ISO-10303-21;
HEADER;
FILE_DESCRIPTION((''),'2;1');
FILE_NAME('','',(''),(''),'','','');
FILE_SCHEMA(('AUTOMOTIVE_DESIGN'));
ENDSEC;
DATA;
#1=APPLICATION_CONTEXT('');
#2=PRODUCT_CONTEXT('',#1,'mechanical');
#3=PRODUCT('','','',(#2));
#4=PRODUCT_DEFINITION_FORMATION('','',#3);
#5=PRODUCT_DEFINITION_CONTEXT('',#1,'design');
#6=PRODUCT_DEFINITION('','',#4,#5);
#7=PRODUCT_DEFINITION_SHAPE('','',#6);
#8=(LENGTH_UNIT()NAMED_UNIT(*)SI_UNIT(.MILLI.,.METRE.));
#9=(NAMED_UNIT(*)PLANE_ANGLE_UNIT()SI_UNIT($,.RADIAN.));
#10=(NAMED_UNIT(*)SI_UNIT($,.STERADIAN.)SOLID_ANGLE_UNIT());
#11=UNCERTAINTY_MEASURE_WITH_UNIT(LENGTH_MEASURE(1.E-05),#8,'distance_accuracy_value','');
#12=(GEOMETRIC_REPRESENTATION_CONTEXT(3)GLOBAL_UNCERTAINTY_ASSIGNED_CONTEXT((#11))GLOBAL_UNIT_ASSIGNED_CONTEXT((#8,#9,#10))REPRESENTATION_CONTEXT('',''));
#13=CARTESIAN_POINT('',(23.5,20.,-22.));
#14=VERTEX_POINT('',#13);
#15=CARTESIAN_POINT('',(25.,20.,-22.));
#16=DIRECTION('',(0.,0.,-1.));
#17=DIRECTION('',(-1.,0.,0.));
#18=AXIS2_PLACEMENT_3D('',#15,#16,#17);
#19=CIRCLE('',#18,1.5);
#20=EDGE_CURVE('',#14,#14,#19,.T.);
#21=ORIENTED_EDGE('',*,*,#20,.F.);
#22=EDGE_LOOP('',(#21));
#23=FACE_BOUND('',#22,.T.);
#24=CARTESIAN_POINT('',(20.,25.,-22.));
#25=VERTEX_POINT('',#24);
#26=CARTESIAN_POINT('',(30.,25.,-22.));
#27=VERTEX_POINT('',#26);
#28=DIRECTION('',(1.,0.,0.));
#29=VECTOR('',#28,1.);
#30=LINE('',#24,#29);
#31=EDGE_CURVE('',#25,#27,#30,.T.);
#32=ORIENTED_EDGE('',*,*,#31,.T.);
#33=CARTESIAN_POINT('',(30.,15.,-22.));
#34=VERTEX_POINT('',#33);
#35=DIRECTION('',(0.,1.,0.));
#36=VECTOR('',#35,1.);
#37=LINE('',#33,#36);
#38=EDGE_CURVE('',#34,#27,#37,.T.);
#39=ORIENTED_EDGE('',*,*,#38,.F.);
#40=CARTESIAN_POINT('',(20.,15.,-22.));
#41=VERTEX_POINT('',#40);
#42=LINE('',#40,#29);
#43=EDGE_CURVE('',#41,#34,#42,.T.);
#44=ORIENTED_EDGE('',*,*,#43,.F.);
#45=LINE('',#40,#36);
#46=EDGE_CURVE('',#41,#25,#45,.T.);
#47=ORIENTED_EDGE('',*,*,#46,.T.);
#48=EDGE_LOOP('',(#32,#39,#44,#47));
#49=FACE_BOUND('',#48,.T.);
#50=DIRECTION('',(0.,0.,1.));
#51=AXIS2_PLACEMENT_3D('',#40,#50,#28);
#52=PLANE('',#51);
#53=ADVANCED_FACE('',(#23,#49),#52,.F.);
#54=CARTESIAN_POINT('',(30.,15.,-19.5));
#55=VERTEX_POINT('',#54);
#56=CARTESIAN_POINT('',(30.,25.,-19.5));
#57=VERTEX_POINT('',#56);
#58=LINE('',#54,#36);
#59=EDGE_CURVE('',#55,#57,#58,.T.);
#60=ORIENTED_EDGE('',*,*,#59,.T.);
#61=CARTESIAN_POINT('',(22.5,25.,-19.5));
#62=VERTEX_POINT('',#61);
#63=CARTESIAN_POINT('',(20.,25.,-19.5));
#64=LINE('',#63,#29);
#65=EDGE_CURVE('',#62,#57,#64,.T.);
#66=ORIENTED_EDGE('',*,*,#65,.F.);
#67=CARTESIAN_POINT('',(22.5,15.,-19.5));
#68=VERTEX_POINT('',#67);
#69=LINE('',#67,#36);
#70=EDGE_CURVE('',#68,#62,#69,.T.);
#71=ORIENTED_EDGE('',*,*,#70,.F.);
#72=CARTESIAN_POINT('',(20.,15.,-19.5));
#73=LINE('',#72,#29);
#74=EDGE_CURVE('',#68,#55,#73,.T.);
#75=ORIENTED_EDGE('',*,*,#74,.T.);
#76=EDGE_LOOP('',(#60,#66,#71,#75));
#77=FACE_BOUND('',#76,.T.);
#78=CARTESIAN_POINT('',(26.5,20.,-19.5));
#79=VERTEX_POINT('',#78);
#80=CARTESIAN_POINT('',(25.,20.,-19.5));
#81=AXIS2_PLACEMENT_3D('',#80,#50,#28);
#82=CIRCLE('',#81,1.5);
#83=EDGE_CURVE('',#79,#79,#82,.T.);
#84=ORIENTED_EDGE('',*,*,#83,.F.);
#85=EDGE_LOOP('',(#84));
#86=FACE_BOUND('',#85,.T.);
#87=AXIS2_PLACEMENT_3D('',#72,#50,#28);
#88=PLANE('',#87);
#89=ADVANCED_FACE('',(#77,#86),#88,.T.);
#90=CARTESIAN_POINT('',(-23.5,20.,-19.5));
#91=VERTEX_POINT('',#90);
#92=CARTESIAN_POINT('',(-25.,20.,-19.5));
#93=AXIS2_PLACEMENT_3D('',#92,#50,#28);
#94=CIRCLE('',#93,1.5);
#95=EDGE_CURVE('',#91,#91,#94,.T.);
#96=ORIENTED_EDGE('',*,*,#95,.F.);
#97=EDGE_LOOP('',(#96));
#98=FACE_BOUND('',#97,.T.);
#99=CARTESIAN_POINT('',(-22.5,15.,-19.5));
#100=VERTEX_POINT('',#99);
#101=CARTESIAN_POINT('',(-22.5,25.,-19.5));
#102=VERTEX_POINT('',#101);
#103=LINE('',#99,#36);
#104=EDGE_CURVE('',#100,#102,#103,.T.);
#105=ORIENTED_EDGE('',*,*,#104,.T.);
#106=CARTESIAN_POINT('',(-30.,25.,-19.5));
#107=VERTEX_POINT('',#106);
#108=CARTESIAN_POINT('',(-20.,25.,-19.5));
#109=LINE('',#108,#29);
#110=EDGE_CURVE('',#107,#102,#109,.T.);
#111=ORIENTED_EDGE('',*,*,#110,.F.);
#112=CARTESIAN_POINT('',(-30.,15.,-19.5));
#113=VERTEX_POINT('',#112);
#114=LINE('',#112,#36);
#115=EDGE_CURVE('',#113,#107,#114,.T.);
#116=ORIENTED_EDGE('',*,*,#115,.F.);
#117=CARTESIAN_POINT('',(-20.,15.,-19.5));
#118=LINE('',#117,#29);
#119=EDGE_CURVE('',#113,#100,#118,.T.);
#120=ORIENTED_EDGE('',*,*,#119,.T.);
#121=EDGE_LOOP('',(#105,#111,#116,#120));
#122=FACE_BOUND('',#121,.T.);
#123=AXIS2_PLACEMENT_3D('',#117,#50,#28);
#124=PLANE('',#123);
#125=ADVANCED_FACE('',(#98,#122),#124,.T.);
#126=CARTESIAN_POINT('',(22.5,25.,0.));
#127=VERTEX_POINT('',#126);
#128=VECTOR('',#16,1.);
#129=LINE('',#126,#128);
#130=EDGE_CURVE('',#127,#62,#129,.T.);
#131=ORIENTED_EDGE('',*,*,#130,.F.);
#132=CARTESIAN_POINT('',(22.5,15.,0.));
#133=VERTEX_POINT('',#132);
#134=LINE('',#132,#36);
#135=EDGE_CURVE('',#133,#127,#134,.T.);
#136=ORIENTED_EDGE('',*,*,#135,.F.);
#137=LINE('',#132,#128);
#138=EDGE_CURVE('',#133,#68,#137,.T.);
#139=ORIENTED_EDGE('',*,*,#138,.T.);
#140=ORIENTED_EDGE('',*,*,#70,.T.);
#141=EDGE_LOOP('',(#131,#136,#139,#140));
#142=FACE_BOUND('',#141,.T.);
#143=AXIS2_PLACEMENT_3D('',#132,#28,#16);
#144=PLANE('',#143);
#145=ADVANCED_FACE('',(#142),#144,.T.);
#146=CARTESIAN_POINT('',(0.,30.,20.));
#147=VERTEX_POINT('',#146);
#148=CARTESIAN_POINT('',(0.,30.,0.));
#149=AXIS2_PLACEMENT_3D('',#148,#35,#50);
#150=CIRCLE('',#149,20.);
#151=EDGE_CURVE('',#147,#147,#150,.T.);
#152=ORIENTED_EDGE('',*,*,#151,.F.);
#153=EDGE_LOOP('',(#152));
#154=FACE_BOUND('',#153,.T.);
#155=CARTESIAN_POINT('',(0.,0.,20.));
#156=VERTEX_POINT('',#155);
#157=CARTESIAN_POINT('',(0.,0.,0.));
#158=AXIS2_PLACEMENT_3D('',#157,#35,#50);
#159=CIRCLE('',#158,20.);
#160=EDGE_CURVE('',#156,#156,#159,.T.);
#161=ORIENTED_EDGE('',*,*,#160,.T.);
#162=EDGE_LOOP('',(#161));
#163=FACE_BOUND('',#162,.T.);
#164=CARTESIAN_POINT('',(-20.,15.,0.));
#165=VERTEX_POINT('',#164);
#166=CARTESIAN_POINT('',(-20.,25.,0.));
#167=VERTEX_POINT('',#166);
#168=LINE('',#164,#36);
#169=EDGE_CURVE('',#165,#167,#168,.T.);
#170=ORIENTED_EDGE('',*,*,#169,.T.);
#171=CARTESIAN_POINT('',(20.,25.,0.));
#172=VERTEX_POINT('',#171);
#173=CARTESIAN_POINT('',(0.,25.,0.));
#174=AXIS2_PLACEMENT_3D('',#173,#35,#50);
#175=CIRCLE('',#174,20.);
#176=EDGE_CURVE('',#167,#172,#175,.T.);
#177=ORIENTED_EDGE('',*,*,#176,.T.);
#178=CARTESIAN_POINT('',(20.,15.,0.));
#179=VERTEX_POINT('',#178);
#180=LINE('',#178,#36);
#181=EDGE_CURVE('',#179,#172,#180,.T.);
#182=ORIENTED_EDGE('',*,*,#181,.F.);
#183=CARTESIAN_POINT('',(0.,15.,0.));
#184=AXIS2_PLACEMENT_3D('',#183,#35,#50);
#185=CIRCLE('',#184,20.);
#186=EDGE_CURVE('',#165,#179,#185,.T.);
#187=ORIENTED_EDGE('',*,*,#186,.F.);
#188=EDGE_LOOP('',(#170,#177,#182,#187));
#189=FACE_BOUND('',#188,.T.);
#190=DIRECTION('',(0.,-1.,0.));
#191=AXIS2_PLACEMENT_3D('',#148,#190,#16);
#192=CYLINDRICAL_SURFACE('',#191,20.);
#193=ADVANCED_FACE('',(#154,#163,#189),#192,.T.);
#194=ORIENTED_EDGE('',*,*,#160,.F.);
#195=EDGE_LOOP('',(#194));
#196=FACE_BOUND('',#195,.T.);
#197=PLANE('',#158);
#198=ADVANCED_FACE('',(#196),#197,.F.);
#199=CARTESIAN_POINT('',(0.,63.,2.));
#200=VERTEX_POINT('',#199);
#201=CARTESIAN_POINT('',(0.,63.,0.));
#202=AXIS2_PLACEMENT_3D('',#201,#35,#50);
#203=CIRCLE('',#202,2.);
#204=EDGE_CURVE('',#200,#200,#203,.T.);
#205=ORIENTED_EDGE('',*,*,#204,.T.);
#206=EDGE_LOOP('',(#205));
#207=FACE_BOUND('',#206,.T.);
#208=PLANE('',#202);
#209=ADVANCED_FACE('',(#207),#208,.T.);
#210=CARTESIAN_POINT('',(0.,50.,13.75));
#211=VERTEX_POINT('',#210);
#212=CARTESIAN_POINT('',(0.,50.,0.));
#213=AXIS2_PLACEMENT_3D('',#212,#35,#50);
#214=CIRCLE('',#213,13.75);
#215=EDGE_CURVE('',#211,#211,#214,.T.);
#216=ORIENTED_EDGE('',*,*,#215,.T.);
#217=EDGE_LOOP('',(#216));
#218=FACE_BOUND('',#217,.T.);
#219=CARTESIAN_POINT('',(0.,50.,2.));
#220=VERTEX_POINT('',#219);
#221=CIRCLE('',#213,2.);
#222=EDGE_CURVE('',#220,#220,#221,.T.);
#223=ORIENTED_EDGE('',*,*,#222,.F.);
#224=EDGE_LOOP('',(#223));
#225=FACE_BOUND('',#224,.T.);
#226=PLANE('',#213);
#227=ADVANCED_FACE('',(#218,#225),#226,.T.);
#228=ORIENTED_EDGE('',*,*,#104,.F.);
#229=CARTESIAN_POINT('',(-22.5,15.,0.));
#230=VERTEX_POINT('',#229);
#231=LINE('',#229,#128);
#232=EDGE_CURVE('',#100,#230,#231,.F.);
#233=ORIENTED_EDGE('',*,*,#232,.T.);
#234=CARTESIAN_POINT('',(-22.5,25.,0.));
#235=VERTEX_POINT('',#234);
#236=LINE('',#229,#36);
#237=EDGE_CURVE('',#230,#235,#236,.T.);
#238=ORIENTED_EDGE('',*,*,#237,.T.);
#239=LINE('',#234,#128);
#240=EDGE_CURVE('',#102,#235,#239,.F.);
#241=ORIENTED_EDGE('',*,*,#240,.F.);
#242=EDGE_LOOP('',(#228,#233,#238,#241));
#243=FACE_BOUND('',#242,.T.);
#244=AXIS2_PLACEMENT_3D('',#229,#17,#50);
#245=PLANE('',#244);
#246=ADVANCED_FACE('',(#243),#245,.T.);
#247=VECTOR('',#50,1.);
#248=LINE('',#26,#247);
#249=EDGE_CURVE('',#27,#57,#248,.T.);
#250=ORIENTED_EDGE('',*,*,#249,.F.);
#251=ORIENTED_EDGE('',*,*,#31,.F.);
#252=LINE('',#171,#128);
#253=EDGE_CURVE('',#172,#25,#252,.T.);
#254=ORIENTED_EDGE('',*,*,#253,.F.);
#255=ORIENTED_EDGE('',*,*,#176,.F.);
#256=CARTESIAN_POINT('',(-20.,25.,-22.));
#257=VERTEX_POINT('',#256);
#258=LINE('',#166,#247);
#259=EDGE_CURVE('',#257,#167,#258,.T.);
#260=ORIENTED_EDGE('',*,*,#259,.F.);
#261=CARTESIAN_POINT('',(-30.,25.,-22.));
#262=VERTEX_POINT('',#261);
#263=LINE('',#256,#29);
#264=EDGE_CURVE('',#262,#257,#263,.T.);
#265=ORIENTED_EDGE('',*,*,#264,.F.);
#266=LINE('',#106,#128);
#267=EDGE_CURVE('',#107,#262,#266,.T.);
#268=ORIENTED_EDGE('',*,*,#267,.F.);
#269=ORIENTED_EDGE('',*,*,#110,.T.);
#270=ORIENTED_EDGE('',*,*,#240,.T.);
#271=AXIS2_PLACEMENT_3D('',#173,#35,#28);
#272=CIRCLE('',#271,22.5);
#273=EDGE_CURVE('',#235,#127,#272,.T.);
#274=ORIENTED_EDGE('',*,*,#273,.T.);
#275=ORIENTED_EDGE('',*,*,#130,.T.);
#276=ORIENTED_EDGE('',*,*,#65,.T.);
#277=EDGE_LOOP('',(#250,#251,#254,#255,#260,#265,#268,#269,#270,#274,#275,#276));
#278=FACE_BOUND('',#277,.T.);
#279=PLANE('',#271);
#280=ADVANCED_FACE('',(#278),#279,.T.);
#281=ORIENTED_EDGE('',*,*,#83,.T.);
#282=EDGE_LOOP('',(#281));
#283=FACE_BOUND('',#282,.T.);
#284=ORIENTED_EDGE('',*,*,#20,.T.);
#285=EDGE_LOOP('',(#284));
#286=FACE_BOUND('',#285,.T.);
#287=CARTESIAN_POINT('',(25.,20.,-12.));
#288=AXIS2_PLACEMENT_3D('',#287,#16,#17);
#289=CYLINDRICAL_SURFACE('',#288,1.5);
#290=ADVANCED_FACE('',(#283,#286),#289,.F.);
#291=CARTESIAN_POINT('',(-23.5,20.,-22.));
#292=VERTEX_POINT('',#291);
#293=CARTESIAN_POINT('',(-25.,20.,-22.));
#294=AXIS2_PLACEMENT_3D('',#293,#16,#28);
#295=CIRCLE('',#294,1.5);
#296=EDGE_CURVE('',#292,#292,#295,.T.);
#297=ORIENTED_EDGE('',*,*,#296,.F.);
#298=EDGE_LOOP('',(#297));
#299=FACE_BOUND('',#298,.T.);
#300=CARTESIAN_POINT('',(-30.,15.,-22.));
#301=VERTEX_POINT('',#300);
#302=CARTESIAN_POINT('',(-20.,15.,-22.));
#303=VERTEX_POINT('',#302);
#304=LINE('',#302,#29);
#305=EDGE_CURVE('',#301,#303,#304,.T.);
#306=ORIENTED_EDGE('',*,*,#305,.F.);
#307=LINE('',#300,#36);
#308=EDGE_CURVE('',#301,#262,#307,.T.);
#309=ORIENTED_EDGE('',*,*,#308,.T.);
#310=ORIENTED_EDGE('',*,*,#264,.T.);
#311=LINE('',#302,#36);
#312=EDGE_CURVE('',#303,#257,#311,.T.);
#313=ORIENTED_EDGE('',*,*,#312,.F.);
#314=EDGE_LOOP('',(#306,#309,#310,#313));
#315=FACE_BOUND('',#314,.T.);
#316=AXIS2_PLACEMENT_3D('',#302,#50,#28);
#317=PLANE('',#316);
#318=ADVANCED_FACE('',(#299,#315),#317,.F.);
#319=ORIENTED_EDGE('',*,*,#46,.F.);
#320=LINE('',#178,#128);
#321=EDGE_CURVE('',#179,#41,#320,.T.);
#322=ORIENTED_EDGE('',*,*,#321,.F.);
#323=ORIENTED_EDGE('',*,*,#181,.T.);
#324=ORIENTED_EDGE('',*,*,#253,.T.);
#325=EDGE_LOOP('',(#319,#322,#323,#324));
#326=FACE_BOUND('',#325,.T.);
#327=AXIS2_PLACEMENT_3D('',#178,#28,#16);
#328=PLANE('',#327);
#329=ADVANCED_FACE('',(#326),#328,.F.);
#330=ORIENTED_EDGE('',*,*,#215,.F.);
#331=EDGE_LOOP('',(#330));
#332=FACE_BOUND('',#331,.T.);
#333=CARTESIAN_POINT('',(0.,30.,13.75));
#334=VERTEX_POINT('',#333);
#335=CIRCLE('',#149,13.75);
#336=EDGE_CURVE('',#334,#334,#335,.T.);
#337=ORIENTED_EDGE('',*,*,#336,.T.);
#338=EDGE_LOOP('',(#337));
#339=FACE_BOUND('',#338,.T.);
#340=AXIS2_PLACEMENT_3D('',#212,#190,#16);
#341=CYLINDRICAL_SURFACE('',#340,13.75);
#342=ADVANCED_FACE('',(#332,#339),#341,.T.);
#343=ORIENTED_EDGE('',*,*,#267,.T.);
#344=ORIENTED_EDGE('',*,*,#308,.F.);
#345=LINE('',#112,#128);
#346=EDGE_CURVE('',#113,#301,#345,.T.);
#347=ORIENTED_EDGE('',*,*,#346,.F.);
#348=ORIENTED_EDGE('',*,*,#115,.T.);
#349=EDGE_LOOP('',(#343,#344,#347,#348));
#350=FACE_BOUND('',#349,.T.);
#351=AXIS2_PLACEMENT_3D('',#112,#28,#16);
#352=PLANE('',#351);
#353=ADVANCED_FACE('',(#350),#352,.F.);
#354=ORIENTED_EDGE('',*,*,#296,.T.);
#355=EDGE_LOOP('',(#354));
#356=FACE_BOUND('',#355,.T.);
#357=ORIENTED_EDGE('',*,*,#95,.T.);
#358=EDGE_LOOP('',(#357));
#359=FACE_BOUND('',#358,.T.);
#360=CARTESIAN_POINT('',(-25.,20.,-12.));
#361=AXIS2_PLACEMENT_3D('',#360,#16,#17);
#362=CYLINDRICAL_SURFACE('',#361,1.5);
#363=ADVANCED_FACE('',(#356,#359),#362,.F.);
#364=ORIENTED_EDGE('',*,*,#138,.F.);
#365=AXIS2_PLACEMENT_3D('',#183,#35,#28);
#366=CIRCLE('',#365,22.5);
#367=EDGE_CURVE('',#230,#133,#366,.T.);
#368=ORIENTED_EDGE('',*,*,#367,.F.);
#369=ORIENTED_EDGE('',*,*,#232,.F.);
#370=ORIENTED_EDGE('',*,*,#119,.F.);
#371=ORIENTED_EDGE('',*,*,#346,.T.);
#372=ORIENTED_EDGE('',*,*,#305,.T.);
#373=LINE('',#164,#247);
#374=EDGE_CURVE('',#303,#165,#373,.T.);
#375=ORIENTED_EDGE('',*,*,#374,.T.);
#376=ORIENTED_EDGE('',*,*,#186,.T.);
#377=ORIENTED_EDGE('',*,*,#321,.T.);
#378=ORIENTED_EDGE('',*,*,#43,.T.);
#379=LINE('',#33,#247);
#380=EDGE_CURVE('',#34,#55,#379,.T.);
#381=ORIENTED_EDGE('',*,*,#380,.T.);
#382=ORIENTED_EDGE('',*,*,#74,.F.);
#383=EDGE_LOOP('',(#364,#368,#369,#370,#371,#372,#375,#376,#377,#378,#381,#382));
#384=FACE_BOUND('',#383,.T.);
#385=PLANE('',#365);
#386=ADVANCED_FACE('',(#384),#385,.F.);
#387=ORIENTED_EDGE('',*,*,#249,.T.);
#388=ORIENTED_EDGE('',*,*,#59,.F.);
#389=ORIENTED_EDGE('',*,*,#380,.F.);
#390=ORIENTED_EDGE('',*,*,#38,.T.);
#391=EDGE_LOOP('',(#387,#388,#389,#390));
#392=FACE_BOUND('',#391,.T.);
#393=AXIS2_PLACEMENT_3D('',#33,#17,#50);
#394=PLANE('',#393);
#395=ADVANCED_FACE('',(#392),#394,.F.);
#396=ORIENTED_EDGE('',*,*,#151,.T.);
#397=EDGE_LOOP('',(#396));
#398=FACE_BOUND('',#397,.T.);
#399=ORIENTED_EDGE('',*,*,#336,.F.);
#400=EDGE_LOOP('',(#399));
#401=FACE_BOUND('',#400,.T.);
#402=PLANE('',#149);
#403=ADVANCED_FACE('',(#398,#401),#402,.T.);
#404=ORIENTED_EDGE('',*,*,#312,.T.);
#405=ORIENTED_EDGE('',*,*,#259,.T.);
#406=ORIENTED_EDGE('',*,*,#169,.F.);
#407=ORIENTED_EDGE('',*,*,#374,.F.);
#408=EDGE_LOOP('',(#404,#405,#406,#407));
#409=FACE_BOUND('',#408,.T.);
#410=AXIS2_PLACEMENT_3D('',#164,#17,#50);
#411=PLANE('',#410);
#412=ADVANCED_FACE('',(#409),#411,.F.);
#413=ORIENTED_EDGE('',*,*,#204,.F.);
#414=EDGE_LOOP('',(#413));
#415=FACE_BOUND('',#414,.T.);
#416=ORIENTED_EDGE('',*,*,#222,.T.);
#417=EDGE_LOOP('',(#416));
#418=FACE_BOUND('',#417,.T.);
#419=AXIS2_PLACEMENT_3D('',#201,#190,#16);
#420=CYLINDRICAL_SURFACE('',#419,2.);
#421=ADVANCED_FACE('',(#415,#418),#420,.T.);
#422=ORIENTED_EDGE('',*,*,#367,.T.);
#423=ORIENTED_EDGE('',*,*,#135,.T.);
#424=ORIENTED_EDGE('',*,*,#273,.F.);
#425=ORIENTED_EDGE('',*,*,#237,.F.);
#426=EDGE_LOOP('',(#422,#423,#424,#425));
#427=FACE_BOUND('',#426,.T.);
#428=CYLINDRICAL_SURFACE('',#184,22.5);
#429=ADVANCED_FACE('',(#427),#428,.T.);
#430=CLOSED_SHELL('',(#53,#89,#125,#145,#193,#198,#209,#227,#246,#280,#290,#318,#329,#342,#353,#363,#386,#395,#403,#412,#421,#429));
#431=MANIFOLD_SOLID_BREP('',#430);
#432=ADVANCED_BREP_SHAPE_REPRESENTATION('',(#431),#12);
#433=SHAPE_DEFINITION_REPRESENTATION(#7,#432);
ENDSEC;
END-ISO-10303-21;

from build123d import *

# Parameters (mm, degrees)
SKETCH1_R           = 20
BOSS_EXTRUDE1_DEPTH = 30
SKETCH2_R           = 13.75
BOSS_EXTRUDE2_DEPTH = 20
SKETCH3_R           = 2
BOSS_EXTRUDE3_DEPTH = 13
EXTRUDE_THIN2_START = -10
EXTRUDE_THIN2_DEPTH = 10
SKETCH6_R           = 1.5
CUT_EXTRUDE1_DEPTH  = 10


with BuildPart() as part:
    # Sketch1 → Boss-Extrude1 (new body)
    with BuildSketch(Plane(origin=(0, 0, 0), x_dir=(1, 0, 0), z_dir=(0, 1, 0))):
        with Locations(Location((0, 0, 0), (0, 0, 270))):
            Circle(SKETCH1_R)
    extrude(amount=BOSS_EXTRUDE1_DEPTH)

    # Sketch2 → Boss-Extrude2 (add)
    with BuildSketch(Plane(origin=(0, 30, 0), x_dir=(1, 0, 0), z_dir=(0, 1, 0))):
        with Locations(Location((0, 0, 0), (0, 0, 270))):
            Circle(SKETCH2_R)
    extrude(amount=BOSS_EXTRUDE2_DEPTH)

    # Sketch3 → Boss-Extrude3 (add)
    with BuildSketch(Plane(origin=(0, 50, 0), x_dir=(1, 0, 0), z_dir=(0, 1, 0))):
        with Locations(Location((0, 0, 0), (0, 0, 270))):
            Circle(SKETCH3_R)
    extrude(amount=BOSS_EXTRUDE3_DEPTH)

    # Sketch4 → Extrude-Thin2 (add)
    with BuildSketch(Plane(origin=(0, 25, 0), x_dir=(1, 0, 0), z_dir=(0, 1, 0)).offset(EXTRUDE_THIN2_START)):
        with BuildLine():
            Line((30, 22), (20, 22))
            Line((20, 22), (20, 0))
            ThreePointArc((20, 0), (0, -20), (-20, 0))
            Line((-20, 0), (-20, 22))
            Line((-20, 22), (-30, 22))
            Line((-30, 22), (-30, 19.5))
            Line((-30, 19.5), (-22.5, 19.5))
            Line((-22.5, 19.5), (-22.5, 0))
            ThreePointArc((-22.5, 0), (0, -22.5), (22.5, 0))
            Line((22.5, 0), (22.5, 19.5))
            Line((22.5, 19.5), (30, 19.5))
            Line((30, 19.5), (30, 22))
        make_face()
    extrude(amount=EXTRUDE_THIN2_DEPTH)

    # Sketch6 → Cut-Extrude1 (cut)
    with BuildSketch(Plane(origin=(0, 0, -22), x_dir=(-1, 0, 0), z_dir=(0, 0, -1))):
        with Locations((-25, 20)):
            Circle(SKETCH6_R)
        with Locations(Location((25, 20, 0), (0, 0, 180))):
            Circle(SKETCH6_R)
    extrude(amount=-CUT_EXTRUDE1_DEPTH, mode=Mode.SUBTRACT)


solid = part.part
